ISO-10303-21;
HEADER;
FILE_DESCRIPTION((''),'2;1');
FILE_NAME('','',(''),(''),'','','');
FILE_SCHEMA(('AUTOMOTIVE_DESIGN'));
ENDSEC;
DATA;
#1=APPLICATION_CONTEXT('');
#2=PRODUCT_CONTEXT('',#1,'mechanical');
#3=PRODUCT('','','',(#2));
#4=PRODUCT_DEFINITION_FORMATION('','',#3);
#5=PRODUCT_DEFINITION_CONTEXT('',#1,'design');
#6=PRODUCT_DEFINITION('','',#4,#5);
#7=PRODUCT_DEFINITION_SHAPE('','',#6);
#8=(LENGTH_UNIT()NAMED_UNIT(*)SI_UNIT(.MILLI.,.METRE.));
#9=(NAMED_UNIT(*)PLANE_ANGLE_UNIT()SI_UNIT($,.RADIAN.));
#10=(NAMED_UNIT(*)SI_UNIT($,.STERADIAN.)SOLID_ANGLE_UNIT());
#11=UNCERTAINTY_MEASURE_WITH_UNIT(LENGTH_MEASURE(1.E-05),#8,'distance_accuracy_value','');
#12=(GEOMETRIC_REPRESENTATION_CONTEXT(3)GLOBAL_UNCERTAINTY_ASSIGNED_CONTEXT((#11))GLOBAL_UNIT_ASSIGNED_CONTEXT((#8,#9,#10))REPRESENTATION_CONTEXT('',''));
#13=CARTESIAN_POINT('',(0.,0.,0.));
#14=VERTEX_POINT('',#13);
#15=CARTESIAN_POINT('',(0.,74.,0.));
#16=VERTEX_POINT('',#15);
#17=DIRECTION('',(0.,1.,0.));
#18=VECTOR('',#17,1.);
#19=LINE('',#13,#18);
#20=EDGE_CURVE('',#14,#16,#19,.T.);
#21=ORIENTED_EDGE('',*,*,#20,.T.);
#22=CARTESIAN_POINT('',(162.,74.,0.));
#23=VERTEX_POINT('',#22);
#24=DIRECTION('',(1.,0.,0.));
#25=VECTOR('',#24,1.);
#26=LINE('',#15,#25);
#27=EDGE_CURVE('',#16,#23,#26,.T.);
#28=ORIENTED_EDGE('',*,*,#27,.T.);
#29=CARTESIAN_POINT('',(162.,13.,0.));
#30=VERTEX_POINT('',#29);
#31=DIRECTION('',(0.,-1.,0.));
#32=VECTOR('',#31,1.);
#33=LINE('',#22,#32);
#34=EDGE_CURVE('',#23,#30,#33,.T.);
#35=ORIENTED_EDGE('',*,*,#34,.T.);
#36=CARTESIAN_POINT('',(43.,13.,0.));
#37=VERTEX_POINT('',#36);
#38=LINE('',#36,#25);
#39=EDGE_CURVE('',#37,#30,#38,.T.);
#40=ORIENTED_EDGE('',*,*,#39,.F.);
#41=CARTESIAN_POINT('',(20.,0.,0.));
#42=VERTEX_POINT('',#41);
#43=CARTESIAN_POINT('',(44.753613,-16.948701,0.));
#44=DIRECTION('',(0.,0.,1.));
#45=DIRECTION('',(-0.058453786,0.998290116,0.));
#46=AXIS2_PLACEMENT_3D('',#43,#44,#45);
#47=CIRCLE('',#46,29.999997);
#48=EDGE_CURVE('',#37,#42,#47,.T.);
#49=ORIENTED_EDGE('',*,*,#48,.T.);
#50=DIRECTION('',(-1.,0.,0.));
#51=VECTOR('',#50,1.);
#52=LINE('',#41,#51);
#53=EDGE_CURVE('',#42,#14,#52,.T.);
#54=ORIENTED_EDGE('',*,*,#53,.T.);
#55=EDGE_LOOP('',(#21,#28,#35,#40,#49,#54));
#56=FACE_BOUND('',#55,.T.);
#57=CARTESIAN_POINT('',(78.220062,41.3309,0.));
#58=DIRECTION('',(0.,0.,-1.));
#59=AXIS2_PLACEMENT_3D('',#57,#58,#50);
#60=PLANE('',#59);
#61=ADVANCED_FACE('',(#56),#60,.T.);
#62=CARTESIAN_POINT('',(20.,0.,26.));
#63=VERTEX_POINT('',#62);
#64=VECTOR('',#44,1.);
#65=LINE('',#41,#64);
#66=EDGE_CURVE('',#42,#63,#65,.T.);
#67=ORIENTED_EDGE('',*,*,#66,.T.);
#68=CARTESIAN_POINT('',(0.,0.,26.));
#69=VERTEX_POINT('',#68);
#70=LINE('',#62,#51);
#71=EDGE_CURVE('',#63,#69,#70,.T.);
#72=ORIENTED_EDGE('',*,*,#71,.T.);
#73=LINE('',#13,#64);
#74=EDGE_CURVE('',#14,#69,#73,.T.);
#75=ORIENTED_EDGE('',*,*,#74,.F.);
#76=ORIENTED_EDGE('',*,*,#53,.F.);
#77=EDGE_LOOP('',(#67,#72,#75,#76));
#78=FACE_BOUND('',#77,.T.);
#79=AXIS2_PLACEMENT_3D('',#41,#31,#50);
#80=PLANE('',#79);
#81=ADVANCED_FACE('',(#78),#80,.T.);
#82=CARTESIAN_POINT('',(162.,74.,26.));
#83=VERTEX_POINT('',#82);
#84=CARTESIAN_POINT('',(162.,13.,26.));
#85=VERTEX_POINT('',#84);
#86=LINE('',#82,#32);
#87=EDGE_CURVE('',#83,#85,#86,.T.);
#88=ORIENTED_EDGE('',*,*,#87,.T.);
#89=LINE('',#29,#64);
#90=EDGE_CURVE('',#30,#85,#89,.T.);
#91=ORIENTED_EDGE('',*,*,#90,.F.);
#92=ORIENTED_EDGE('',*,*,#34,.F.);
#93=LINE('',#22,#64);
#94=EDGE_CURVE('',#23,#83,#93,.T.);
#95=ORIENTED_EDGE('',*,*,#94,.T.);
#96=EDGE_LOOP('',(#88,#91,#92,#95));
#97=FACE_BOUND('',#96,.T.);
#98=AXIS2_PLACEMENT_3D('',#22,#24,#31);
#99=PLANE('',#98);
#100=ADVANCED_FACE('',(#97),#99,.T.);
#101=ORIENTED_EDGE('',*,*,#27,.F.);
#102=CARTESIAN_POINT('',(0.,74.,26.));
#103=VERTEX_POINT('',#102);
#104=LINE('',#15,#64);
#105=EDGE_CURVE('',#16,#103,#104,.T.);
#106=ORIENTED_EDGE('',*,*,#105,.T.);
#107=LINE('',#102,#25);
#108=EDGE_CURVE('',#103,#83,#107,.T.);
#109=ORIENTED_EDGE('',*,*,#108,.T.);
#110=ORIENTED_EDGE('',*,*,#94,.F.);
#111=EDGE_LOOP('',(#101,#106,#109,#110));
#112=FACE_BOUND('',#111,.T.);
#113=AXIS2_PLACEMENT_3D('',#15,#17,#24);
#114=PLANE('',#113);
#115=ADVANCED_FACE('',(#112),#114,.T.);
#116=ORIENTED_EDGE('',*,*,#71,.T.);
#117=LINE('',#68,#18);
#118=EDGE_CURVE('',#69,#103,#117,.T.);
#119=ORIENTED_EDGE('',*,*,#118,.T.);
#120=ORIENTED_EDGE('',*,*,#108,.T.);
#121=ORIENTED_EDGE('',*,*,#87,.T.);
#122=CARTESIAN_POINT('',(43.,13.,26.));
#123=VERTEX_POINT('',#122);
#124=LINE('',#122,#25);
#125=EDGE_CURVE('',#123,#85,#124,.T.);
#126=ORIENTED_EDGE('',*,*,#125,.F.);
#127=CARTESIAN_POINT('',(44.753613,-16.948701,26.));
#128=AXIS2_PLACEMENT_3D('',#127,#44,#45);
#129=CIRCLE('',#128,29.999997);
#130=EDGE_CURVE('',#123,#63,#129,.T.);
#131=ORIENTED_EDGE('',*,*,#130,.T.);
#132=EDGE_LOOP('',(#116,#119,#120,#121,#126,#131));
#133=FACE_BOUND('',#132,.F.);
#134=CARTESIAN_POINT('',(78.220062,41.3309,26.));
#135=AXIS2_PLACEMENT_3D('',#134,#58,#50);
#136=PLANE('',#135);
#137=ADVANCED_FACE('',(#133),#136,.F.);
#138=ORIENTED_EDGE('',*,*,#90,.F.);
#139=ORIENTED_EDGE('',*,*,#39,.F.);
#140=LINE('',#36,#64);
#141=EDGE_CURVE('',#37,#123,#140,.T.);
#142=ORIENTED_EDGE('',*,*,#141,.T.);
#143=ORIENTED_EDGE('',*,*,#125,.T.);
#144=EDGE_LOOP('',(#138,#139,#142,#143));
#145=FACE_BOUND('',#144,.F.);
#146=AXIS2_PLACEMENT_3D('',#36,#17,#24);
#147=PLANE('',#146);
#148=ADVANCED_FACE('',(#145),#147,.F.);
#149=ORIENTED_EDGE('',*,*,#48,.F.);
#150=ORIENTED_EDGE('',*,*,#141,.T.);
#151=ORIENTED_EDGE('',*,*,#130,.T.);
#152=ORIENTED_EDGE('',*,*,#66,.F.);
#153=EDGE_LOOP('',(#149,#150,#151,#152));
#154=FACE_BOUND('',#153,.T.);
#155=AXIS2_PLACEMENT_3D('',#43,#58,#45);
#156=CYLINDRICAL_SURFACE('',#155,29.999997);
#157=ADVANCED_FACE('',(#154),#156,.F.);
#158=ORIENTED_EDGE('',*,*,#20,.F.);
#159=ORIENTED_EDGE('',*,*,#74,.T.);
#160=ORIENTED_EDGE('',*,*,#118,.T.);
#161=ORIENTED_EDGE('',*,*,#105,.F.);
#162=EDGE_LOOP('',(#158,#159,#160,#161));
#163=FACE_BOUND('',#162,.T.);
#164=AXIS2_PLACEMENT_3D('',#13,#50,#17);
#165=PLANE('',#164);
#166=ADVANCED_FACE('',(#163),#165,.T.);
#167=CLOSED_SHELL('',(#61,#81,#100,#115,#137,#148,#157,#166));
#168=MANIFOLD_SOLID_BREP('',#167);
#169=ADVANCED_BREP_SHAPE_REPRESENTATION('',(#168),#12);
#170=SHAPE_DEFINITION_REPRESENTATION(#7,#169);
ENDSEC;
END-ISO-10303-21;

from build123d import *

# Parameters (mm, degrees)
PAD_DEPTH = 26


with BuildPart() as part:
    # Sketch → Pad (new body)
    with BuildSketch(Plane.XY):
        with BuildLine():
            Line((0, 74), (162, 74))
            Line((162, 74), (162, 13))
            Line((43, 13), (162, 13))
            ThreePointArc((43, 13), (29.991897, 9.168182), (20, 0))
            Line((20, 0), (0, 0))
            Line((0, 0), (0, 74))
        make_face()
    extrude(amount=PAD_DEPTH)


solid = part.part
